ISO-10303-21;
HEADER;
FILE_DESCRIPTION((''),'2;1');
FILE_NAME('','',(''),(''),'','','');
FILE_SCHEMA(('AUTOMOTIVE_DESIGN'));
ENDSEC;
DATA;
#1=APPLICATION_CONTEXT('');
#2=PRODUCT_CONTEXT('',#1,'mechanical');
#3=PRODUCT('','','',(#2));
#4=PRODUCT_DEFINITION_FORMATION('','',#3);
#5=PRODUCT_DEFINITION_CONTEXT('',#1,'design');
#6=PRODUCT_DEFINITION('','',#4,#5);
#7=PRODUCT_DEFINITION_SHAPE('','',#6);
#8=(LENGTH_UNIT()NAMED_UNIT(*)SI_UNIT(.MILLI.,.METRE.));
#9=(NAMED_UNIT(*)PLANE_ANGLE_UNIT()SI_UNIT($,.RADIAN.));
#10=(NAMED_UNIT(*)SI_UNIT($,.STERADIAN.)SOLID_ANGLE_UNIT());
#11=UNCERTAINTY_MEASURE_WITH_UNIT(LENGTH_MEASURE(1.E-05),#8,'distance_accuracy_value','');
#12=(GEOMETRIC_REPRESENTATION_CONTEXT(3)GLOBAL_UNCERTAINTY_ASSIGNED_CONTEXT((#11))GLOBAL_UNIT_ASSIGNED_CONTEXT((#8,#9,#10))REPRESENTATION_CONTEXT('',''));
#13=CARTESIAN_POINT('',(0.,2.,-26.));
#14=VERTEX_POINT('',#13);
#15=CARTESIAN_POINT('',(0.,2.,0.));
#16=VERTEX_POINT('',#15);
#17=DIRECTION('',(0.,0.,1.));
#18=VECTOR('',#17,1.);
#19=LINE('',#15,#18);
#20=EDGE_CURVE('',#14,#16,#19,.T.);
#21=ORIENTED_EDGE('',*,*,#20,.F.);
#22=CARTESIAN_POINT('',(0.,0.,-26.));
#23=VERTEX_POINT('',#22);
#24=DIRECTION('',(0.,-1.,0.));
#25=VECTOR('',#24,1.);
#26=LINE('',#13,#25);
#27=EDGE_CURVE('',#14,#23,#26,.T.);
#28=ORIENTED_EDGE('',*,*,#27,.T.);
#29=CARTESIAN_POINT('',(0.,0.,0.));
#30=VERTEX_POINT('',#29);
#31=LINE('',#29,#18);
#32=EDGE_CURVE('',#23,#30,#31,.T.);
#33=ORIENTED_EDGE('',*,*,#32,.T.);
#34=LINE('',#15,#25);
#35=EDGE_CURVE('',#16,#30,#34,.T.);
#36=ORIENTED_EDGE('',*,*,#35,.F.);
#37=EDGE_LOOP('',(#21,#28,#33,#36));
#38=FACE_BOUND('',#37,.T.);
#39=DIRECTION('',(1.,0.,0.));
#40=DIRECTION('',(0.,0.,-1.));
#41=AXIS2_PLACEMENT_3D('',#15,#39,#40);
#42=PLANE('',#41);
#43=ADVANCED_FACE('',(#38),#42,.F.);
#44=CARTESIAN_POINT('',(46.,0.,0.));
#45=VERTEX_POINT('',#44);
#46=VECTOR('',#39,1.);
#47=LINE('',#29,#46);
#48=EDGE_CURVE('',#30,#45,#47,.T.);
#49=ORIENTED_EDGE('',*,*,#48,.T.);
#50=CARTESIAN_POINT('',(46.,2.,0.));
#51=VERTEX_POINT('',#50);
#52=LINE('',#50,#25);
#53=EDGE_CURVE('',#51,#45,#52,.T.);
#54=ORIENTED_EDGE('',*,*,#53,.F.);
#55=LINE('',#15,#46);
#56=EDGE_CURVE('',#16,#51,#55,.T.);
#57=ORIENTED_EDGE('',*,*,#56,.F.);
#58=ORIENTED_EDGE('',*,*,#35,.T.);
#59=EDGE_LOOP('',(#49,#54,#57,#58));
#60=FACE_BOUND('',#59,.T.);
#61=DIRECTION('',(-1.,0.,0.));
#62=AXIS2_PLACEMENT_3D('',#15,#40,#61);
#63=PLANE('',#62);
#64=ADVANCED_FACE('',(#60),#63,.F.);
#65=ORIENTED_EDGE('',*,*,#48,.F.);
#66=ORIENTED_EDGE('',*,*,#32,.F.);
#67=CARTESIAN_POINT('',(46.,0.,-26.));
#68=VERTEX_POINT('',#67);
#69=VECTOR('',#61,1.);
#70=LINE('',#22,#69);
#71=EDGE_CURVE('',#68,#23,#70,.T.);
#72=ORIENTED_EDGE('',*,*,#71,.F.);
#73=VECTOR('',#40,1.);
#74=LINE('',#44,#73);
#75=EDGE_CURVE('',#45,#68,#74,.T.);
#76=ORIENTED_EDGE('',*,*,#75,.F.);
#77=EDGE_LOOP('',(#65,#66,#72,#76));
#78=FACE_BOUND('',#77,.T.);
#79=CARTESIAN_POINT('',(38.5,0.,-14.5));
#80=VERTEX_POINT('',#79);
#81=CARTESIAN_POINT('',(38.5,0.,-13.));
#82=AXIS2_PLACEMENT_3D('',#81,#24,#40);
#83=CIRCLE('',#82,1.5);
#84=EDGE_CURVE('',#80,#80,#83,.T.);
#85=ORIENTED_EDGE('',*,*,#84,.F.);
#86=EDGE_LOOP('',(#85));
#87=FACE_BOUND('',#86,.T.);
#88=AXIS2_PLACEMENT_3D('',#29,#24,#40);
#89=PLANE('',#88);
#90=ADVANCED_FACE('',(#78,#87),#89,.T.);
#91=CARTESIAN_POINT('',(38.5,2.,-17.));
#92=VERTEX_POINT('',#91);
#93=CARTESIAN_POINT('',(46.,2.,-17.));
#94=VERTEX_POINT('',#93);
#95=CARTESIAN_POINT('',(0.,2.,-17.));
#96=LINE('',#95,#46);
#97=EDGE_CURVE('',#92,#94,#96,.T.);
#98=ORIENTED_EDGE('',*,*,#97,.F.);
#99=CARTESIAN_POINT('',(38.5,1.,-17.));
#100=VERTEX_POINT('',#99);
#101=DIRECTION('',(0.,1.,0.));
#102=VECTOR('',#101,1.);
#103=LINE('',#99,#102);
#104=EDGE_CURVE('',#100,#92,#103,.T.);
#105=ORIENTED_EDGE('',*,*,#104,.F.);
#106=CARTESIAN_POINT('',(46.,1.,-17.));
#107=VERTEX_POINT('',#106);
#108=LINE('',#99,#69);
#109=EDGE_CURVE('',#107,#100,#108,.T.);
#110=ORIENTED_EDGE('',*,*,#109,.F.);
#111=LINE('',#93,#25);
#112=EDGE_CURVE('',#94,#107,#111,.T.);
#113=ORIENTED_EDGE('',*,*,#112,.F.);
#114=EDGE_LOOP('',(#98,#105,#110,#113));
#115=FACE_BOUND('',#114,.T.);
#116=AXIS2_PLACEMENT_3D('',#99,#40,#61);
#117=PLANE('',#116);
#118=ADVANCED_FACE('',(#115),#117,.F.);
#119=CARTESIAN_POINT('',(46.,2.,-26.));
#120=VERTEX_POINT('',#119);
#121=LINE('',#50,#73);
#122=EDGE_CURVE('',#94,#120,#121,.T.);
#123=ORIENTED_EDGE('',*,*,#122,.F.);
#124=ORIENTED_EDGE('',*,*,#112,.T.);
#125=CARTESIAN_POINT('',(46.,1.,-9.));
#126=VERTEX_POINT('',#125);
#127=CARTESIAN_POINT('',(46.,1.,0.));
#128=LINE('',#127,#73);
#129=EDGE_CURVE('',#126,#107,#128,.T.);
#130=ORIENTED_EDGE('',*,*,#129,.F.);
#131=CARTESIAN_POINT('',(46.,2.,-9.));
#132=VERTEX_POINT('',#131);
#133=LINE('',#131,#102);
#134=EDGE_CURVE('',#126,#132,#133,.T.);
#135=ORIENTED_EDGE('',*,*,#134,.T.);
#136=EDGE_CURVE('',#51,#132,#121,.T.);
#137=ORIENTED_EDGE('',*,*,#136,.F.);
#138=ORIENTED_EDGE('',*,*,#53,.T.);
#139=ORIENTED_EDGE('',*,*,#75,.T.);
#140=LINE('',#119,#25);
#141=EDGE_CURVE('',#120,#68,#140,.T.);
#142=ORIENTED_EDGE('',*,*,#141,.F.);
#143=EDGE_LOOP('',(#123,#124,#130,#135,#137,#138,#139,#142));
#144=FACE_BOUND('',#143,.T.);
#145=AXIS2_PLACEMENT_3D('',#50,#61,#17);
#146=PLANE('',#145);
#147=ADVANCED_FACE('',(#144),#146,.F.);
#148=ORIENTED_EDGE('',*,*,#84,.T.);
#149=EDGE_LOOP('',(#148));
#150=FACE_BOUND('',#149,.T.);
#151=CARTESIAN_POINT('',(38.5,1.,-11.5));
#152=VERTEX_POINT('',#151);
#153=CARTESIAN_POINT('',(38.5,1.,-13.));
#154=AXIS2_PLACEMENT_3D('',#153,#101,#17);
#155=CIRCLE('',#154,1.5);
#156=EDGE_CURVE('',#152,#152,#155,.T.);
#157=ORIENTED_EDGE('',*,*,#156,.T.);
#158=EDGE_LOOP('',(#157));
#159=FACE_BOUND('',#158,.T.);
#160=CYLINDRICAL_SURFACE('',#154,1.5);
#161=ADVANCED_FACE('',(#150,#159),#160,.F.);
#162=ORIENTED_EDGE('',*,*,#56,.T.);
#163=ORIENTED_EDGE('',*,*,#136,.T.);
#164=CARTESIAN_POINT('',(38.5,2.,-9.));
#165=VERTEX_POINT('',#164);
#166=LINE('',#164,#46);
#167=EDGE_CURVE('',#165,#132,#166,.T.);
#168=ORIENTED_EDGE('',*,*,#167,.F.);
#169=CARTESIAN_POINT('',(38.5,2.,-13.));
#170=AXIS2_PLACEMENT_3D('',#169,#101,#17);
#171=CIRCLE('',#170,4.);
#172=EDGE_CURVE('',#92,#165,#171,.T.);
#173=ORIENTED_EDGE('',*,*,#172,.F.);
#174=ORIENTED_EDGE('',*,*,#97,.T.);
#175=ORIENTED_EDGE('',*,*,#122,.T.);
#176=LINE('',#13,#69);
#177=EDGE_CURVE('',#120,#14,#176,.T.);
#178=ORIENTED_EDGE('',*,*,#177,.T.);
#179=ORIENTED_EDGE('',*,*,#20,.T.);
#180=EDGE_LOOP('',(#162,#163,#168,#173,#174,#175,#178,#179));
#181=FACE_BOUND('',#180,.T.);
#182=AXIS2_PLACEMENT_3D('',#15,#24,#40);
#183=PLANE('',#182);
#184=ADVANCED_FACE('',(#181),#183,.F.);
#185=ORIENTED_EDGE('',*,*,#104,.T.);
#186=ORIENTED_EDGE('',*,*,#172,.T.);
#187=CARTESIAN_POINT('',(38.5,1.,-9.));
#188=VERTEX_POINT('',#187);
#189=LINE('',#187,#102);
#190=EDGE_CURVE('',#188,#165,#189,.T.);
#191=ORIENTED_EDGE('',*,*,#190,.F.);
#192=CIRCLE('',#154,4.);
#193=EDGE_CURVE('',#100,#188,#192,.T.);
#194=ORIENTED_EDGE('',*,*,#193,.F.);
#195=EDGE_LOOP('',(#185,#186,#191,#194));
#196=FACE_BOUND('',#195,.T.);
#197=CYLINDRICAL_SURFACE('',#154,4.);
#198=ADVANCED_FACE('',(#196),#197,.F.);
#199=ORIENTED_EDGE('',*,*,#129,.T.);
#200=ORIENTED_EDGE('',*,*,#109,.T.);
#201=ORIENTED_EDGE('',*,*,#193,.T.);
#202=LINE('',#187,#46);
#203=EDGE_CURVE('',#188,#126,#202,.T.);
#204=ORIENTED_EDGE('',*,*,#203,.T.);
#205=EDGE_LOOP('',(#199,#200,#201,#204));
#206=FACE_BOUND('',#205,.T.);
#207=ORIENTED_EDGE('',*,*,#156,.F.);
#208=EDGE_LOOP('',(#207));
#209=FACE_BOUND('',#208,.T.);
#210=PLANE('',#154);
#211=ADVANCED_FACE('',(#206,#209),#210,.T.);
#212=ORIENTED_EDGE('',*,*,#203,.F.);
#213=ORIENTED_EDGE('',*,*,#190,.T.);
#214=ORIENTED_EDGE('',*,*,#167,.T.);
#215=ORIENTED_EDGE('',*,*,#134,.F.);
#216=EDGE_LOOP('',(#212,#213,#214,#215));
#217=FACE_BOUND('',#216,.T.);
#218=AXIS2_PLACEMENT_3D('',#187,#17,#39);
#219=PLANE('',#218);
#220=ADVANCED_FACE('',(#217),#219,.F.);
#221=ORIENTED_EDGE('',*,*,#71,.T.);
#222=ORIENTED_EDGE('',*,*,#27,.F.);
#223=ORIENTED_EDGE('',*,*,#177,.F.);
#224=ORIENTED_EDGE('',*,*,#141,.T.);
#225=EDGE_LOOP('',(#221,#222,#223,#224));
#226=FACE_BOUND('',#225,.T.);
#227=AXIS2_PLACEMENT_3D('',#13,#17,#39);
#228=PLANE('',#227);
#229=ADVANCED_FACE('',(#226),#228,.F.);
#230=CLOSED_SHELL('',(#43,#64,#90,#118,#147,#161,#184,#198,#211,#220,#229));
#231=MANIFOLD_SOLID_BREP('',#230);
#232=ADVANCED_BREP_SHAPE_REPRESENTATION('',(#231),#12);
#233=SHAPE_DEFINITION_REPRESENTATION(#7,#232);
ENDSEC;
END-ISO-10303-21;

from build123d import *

# Parameters (mm, degrees)
SKETCH1_W                           = 46
SKETCH1_H                           = 26
BOSS_EXTRUDE1_DEPTH                 = 2
CUT_EXTRUDE1_DEPTH                  = 1
F_3_0MM_DOWEL_HOLE1_D               = 3
F_3_0MM_DOWEL_HOLE1_DEPTH           = 1
F_3_0MM_DOWEL_HOLE1_ON_FACE_2_D     = 3
F_3_0MM_DOWEL_HOLE1_ON_FACE_2_DEPTH = 1


with BuildPart() as part:
    # Sketch1 → Boss-Extrude1 (new body)
    with BuildSketch(Plane(origin=(0, 0, 0), x_dir=(1, 0, 0), z_dir=(0, 1, 0))):
        with Locations((23, 13)):
            Rectangle(SKETCH1_W, SKETCH1_H)
    extrude(amount=BOSS_EXTRUDE1_DEPTH)

    # Sketch2 → Cut-Extrude1 (cut)
    with BuildSketch(Plane(origin=(0, 2, 0), x_dir=(1, 0, 0), z_dir=(0, 1, 0))):
        with BuildLine():
            Line((38.5, 17), (53.5, 17))
            ThreePointArc((53.5, 17), (57.5, 13), (53.5, 9))
            Line((53.5, 9), (38.5, 9))
            ThreePointArc((38.5, 9), (34.5, 13), (38.5, 17))
        make_face()
    extrude(amount=-CUT_EXTRUDE1_DEPTH, mode=Mode.SUBTRACT)

    # Ø3.0mm Dowel Hole1
    with Locations(Plane(origin=(38.5, 1, -13), x_dir=(0, 0, 1), z_dir=(0, 1, 0))):
        with Locations((0, 0)):
            Hole(F_3_0MM_DOWEL_HOLE1_D / 2, depth=F_3_0MM_DOWEL_HOLE1_DEPTH)

    # Ø3.0mm Dowel Hole1 on face 2
    with Locations(Plane(origin=(65.15789834, 32.144542586, 0), x_dir=(0, 0, 1), z_dir=(0, 1, 0))):
        with Locations((0, 0)):
            Hole(F_3_0MM_DOWEL_HOLE1_ON_FACE_2_D / 2, depth=F_3_0MM_DOWEL_HOLE1_ON_FACE_2_DEPTH)


solid = part.part
